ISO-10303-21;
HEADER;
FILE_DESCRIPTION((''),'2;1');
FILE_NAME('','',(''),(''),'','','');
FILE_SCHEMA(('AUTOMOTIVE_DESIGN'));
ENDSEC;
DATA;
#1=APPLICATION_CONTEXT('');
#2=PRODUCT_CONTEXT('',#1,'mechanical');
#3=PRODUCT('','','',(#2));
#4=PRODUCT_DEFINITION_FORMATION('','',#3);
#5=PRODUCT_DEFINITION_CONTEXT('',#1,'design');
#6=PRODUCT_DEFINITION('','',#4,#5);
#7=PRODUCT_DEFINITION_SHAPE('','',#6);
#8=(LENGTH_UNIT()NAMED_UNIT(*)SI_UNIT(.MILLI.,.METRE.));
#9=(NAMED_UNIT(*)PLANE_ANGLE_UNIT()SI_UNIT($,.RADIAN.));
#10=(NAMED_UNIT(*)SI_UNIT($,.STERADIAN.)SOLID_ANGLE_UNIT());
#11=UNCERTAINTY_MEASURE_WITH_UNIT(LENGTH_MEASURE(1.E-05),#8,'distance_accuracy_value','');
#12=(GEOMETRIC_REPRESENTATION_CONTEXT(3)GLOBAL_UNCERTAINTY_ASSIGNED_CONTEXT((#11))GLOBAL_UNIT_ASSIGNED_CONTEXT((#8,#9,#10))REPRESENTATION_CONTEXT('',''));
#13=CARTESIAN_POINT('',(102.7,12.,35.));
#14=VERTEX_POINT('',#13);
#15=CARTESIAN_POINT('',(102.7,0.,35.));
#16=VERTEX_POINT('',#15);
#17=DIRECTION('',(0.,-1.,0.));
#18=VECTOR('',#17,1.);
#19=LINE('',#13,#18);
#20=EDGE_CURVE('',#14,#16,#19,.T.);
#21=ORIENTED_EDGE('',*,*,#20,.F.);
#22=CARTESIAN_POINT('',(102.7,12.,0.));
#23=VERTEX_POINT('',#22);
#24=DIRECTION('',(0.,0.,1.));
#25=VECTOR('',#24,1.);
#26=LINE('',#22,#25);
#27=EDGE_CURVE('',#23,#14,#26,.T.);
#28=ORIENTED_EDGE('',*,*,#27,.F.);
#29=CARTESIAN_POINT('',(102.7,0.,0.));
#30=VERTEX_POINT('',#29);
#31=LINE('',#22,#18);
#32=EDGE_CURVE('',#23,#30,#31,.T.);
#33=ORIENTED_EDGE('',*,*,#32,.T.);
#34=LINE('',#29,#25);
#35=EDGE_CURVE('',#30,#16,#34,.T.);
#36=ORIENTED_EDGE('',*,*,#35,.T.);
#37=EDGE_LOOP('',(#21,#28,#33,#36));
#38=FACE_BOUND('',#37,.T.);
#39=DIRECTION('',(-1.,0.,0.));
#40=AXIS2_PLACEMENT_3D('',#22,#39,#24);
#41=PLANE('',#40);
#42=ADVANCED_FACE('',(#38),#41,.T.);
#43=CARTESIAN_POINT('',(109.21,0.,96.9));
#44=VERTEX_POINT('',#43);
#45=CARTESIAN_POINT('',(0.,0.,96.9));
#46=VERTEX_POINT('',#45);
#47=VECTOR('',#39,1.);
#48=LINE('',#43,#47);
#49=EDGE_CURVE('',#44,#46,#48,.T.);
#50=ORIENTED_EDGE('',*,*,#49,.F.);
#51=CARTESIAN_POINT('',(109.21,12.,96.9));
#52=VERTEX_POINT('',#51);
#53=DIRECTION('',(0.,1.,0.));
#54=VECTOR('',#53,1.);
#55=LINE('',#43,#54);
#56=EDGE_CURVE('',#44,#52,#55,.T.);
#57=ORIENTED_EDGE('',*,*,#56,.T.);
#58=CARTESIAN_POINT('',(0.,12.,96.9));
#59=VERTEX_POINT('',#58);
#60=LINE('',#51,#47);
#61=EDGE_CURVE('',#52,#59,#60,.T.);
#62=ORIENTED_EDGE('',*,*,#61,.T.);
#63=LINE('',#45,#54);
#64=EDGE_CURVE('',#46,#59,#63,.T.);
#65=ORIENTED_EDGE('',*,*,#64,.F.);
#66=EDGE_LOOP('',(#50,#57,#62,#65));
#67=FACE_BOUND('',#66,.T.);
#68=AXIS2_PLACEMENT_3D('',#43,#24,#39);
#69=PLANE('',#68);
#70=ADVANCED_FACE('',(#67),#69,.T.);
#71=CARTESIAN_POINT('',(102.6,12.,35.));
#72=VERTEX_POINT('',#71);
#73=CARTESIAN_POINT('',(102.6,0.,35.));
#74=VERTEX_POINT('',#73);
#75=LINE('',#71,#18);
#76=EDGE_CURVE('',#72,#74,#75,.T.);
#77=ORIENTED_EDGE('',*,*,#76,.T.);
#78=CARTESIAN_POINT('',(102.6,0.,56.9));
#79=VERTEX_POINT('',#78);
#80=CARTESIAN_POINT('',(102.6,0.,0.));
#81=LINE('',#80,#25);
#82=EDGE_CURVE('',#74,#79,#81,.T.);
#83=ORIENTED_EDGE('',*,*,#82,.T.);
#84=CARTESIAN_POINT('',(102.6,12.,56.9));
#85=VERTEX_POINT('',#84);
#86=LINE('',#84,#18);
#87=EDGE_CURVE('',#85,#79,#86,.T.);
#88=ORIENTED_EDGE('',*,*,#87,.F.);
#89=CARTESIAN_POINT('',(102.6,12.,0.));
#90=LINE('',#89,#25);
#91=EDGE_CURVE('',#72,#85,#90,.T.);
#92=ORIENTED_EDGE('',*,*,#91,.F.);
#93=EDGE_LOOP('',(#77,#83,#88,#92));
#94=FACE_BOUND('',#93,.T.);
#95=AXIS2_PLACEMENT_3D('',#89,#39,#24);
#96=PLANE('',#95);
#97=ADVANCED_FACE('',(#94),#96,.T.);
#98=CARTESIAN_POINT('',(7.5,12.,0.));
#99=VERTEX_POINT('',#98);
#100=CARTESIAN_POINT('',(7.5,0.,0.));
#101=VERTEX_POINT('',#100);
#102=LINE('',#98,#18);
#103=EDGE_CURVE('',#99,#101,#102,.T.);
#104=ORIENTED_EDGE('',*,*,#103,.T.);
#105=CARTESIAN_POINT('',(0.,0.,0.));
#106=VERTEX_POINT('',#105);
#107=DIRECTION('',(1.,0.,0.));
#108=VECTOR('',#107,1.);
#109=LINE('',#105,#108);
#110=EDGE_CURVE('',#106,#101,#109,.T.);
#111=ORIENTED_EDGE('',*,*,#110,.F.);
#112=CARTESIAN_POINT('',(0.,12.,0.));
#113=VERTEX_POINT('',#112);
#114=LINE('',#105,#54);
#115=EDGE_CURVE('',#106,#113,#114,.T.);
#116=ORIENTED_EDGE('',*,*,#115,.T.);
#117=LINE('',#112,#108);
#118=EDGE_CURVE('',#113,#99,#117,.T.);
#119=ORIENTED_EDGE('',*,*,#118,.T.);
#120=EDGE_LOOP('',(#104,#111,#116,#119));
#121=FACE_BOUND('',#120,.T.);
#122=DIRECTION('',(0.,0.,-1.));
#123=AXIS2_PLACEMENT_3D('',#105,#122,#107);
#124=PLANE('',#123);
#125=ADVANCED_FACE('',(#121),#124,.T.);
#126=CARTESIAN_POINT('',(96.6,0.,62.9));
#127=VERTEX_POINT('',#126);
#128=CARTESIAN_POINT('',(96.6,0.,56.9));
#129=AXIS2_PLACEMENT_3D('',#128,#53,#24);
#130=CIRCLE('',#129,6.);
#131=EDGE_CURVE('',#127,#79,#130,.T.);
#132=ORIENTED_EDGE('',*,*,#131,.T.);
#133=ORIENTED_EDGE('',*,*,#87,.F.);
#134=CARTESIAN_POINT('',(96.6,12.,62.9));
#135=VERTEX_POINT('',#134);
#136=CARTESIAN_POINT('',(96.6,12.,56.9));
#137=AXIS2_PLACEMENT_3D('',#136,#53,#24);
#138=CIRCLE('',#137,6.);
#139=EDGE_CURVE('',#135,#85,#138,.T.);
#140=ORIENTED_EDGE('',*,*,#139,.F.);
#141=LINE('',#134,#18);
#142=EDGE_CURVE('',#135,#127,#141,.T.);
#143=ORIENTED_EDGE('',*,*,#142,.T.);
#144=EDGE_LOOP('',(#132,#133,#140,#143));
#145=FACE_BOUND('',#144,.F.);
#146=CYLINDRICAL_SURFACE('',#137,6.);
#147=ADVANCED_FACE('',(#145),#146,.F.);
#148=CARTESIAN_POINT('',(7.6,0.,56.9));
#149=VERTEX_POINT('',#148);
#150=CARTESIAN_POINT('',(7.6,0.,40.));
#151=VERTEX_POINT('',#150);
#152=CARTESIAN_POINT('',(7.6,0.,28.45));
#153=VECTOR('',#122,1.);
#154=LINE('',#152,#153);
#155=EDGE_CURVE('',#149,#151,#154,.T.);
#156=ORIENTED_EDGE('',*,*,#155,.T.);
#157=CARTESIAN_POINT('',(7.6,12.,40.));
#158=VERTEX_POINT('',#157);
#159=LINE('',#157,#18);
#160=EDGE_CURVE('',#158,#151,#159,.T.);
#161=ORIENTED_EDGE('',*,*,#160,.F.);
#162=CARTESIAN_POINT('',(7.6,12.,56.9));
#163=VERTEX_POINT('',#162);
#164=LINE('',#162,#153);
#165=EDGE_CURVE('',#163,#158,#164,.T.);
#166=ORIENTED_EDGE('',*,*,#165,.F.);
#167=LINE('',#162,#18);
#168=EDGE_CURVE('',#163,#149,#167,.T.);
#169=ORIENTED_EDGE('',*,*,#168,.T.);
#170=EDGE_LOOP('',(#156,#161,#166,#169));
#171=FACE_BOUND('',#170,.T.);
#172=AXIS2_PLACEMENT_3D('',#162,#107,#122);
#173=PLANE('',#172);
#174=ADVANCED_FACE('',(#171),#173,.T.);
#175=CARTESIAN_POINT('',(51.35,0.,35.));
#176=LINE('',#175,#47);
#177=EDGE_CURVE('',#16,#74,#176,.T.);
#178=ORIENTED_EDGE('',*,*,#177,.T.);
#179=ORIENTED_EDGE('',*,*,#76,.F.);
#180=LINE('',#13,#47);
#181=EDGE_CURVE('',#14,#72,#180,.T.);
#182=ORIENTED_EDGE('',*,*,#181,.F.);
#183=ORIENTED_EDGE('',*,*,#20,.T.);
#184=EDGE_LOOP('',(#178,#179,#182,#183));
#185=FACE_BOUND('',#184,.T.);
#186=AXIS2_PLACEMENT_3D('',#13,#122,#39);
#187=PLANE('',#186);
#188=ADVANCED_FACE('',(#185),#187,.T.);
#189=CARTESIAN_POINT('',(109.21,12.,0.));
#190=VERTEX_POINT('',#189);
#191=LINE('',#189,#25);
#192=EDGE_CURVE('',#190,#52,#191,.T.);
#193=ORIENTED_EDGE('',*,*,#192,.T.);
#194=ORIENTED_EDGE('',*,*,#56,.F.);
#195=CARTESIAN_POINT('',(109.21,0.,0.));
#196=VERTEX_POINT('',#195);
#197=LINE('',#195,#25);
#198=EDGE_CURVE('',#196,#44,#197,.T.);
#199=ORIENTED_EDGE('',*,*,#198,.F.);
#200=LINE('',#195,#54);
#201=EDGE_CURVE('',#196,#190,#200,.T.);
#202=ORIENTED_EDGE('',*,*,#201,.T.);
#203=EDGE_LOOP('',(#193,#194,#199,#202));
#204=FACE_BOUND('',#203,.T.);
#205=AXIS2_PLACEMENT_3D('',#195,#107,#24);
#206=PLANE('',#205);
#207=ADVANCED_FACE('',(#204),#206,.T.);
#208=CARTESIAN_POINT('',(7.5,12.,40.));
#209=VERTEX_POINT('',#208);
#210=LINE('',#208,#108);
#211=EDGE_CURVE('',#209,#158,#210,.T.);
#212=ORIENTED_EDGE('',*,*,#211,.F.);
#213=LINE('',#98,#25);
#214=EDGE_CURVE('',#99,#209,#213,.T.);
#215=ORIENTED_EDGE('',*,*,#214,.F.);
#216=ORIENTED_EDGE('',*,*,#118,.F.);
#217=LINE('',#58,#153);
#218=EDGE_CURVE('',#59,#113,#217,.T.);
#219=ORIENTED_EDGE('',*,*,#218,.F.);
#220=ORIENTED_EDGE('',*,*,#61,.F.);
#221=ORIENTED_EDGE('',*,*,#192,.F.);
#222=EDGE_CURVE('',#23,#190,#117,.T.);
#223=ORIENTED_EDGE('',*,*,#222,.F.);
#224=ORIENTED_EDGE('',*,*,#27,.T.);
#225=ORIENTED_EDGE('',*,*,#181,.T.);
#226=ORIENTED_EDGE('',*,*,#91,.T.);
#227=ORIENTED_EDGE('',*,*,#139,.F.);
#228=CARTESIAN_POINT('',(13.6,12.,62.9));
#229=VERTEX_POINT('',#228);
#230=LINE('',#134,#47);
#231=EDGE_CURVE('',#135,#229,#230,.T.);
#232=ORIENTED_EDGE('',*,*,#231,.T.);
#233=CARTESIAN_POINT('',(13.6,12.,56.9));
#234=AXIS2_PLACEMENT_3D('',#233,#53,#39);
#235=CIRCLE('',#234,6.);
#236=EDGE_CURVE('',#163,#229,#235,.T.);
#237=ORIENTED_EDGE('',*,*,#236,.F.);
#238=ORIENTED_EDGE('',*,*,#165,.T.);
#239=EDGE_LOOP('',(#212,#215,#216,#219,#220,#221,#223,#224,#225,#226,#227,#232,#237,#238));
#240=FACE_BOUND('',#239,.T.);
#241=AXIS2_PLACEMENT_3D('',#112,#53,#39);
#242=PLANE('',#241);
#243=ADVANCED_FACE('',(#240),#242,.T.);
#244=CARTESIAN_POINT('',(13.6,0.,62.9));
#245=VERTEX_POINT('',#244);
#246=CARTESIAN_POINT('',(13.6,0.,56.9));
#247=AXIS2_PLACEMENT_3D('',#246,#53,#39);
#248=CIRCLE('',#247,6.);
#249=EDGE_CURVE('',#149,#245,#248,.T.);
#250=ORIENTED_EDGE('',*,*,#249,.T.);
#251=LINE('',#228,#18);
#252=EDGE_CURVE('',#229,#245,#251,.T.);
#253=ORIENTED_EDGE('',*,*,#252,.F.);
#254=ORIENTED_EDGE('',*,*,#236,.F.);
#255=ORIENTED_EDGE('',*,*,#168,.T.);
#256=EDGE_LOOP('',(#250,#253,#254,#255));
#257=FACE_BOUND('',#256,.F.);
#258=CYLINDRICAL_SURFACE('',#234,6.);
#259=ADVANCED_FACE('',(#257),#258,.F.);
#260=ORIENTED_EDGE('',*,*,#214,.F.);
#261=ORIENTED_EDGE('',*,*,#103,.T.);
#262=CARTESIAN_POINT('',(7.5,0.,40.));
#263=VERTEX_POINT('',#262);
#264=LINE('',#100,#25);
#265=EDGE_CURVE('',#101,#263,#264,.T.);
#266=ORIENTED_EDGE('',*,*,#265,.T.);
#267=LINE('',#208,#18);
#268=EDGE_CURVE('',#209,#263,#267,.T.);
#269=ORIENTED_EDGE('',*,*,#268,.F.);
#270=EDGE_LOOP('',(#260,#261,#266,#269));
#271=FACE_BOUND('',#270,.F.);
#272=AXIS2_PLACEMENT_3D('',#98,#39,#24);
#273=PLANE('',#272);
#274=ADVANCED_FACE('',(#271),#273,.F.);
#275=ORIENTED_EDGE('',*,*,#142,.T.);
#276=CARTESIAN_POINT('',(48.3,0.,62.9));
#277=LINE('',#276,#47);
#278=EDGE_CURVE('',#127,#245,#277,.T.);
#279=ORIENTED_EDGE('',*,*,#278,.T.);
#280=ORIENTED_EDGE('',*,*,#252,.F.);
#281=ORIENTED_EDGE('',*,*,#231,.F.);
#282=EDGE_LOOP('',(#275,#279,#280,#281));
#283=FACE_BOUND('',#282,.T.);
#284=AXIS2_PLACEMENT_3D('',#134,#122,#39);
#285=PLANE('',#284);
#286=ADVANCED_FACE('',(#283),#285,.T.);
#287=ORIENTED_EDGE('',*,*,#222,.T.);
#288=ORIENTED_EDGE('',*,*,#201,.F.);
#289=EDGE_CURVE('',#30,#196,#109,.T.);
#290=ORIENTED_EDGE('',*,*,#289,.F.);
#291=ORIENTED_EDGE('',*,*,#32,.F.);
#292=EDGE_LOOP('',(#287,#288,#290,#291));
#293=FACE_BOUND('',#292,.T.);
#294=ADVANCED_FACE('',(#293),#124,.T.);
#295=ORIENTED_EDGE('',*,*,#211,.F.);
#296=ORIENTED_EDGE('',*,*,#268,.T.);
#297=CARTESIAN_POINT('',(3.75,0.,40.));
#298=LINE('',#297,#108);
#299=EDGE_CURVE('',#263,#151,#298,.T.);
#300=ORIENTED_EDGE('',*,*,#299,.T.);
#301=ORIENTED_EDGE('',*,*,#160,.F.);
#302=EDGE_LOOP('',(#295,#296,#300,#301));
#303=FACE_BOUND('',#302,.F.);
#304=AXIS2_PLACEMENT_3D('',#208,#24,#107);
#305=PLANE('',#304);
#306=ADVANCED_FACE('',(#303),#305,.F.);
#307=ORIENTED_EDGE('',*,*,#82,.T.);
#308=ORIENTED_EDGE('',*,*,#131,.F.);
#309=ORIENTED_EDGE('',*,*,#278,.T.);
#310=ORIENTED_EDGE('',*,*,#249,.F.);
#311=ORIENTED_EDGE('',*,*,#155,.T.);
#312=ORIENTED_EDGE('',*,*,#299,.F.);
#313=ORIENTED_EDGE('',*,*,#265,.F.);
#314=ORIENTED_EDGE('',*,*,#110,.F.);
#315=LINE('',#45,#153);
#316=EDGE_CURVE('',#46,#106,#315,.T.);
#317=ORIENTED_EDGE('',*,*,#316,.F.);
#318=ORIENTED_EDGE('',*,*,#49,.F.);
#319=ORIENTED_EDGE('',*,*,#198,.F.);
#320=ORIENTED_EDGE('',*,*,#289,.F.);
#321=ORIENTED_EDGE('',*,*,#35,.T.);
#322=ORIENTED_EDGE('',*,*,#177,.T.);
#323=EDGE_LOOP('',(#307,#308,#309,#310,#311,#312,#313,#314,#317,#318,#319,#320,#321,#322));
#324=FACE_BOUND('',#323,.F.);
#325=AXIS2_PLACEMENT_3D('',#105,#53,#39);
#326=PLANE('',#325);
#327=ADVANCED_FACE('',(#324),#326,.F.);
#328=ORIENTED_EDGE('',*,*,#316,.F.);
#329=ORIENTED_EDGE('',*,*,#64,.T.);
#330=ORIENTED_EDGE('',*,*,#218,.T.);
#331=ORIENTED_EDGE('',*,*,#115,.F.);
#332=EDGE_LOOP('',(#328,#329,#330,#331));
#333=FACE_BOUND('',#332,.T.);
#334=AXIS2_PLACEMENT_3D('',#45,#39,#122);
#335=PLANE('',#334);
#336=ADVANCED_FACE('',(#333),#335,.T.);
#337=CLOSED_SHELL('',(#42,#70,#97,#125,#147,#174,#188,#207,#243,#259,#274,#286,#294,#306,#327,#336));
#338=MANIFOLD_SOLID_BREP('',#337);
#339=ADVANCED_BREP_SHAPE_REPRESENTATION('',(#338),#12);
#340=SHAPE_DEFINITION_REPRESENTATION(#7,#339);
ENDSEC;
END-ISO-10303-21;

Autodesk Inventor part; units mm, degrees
ref_plane "YZ Plane" through (0, 0, 0) normal (1, 0, 0) x (0, 1, 0)
ref_plane "XZ Plane" through (0, 0, 0) normal (0, 1, 0) x (-1, 0, 0)
ref_plane "XY Plane" through (0, 0, 0) normal (0, 0, 1) x (1, 0, 0)
sketch "Skizze1" plane through (0, 0, 0) normal (0, 1, 0) x (-1, 0, 0)
  line L0 (0, 0) -> (-109.21, 0)
  line L1 (-109.21, 0) -> (-109.21, 96.9)
  line L2 (-109.21, 96.9) -> (0, 96.9)
  line L3 (0, 96.9) -> (0, 0)
  dimension "d5" = 109.21
  dimension "d6" = 96.9
extrude "Extrusion1" add sketch "Skizze1" along normal blind 12
sketch "Skizze2" plane through (0, 12, 0) normal (0, 1, 0) x (1, 0, 0)
  line L0 (7.6, 0) -> (102.6, 0)
  line L1 (102.6, 0) -> (102.6, -56.9)
  line L2 (96.6, -62.9) -> (13.6, -62.9)
  line L3 (7.6, -56.9) -> (7.6, 0)
  arc A0 (7.6, -56.9) -> (13.6, -62.9) centre (13.6, -56.9) ccw
  arc A1 (96.6, -62.9) -> (102.6, -56.9) centre (96.6, -56.9) ccw
  line L4 (0, 0) -> (0, -96.9) projected
  line L5 (109.21, 0) -> (0, 0) projected
  dimension "d2" = 6
  dimension "d7" = 7.6
  dimension "d8" = 62.9
  dimension "d9" = 95
extrude "Extrusion2" cut sketch "Skizze2" against normal through all
sketch "Skizze3" plane through (0, 12, 0) normal (0, 1, 0) x (1, 0, 0)
  line L0 (7.6, -56.9) -> (7.6, 0) projected
  line L1 (7.6, 0) -> (0, 0) projected
  line L2 (0, 0) -> (0, -96.9) projected
  line L3 (0, -96.9) -> (109.21, -96.9) projected
  line L4 (109.21, -96.9) -> (109.21, 0) projected
  line L5 (109.21, 0) -> (102.6, 0) projected
  line L6 (102.6, 0) -> (102.6, -56.9) projected
  arc A0 (96.6, -62.9) -> (102.6, -56.9) centre (96.6, -56.9) ccw projected
  line L7 (96.6, -62.9) -> (13.6, -62.9) projected
  arc A1 (7.6, -56.9) -> (13.6, -62.9) centre (13.6, -56.9) ccw projected
  line L8 (102.6, 0) -> (102.7, 0)
  line L9 (102.7, 0) -> (102.7, -35)
  line L10 (102.7, -35) -> (102.6, -35)
  line L11 (102.6, -35) -> (102.6, 0)
  line L12 (7.6, 0) -> (7.6, -56.9) projected
  line L13 (7.6, 0) -> (7.5, 0)
  line L14 (7.5, 0) -> (7.5, -40)
  line L15 (7.5, -40) -> (7.6, -40)
  line L16 (7.6, -40) -> (7.6, 0)
  point P0 (102.6, -35)
  dimension "d10" = 0.1
  dimension "d11" = 35
  dimension "d12" = 0.1
extrude "Extrusion3" cut sketch "Skizze3" against normal through all contours L15 L14 L1 L0 | L6 L5 L9 L10
properties part number "30_XYTable_Aliexpress_CAM_cutout"
